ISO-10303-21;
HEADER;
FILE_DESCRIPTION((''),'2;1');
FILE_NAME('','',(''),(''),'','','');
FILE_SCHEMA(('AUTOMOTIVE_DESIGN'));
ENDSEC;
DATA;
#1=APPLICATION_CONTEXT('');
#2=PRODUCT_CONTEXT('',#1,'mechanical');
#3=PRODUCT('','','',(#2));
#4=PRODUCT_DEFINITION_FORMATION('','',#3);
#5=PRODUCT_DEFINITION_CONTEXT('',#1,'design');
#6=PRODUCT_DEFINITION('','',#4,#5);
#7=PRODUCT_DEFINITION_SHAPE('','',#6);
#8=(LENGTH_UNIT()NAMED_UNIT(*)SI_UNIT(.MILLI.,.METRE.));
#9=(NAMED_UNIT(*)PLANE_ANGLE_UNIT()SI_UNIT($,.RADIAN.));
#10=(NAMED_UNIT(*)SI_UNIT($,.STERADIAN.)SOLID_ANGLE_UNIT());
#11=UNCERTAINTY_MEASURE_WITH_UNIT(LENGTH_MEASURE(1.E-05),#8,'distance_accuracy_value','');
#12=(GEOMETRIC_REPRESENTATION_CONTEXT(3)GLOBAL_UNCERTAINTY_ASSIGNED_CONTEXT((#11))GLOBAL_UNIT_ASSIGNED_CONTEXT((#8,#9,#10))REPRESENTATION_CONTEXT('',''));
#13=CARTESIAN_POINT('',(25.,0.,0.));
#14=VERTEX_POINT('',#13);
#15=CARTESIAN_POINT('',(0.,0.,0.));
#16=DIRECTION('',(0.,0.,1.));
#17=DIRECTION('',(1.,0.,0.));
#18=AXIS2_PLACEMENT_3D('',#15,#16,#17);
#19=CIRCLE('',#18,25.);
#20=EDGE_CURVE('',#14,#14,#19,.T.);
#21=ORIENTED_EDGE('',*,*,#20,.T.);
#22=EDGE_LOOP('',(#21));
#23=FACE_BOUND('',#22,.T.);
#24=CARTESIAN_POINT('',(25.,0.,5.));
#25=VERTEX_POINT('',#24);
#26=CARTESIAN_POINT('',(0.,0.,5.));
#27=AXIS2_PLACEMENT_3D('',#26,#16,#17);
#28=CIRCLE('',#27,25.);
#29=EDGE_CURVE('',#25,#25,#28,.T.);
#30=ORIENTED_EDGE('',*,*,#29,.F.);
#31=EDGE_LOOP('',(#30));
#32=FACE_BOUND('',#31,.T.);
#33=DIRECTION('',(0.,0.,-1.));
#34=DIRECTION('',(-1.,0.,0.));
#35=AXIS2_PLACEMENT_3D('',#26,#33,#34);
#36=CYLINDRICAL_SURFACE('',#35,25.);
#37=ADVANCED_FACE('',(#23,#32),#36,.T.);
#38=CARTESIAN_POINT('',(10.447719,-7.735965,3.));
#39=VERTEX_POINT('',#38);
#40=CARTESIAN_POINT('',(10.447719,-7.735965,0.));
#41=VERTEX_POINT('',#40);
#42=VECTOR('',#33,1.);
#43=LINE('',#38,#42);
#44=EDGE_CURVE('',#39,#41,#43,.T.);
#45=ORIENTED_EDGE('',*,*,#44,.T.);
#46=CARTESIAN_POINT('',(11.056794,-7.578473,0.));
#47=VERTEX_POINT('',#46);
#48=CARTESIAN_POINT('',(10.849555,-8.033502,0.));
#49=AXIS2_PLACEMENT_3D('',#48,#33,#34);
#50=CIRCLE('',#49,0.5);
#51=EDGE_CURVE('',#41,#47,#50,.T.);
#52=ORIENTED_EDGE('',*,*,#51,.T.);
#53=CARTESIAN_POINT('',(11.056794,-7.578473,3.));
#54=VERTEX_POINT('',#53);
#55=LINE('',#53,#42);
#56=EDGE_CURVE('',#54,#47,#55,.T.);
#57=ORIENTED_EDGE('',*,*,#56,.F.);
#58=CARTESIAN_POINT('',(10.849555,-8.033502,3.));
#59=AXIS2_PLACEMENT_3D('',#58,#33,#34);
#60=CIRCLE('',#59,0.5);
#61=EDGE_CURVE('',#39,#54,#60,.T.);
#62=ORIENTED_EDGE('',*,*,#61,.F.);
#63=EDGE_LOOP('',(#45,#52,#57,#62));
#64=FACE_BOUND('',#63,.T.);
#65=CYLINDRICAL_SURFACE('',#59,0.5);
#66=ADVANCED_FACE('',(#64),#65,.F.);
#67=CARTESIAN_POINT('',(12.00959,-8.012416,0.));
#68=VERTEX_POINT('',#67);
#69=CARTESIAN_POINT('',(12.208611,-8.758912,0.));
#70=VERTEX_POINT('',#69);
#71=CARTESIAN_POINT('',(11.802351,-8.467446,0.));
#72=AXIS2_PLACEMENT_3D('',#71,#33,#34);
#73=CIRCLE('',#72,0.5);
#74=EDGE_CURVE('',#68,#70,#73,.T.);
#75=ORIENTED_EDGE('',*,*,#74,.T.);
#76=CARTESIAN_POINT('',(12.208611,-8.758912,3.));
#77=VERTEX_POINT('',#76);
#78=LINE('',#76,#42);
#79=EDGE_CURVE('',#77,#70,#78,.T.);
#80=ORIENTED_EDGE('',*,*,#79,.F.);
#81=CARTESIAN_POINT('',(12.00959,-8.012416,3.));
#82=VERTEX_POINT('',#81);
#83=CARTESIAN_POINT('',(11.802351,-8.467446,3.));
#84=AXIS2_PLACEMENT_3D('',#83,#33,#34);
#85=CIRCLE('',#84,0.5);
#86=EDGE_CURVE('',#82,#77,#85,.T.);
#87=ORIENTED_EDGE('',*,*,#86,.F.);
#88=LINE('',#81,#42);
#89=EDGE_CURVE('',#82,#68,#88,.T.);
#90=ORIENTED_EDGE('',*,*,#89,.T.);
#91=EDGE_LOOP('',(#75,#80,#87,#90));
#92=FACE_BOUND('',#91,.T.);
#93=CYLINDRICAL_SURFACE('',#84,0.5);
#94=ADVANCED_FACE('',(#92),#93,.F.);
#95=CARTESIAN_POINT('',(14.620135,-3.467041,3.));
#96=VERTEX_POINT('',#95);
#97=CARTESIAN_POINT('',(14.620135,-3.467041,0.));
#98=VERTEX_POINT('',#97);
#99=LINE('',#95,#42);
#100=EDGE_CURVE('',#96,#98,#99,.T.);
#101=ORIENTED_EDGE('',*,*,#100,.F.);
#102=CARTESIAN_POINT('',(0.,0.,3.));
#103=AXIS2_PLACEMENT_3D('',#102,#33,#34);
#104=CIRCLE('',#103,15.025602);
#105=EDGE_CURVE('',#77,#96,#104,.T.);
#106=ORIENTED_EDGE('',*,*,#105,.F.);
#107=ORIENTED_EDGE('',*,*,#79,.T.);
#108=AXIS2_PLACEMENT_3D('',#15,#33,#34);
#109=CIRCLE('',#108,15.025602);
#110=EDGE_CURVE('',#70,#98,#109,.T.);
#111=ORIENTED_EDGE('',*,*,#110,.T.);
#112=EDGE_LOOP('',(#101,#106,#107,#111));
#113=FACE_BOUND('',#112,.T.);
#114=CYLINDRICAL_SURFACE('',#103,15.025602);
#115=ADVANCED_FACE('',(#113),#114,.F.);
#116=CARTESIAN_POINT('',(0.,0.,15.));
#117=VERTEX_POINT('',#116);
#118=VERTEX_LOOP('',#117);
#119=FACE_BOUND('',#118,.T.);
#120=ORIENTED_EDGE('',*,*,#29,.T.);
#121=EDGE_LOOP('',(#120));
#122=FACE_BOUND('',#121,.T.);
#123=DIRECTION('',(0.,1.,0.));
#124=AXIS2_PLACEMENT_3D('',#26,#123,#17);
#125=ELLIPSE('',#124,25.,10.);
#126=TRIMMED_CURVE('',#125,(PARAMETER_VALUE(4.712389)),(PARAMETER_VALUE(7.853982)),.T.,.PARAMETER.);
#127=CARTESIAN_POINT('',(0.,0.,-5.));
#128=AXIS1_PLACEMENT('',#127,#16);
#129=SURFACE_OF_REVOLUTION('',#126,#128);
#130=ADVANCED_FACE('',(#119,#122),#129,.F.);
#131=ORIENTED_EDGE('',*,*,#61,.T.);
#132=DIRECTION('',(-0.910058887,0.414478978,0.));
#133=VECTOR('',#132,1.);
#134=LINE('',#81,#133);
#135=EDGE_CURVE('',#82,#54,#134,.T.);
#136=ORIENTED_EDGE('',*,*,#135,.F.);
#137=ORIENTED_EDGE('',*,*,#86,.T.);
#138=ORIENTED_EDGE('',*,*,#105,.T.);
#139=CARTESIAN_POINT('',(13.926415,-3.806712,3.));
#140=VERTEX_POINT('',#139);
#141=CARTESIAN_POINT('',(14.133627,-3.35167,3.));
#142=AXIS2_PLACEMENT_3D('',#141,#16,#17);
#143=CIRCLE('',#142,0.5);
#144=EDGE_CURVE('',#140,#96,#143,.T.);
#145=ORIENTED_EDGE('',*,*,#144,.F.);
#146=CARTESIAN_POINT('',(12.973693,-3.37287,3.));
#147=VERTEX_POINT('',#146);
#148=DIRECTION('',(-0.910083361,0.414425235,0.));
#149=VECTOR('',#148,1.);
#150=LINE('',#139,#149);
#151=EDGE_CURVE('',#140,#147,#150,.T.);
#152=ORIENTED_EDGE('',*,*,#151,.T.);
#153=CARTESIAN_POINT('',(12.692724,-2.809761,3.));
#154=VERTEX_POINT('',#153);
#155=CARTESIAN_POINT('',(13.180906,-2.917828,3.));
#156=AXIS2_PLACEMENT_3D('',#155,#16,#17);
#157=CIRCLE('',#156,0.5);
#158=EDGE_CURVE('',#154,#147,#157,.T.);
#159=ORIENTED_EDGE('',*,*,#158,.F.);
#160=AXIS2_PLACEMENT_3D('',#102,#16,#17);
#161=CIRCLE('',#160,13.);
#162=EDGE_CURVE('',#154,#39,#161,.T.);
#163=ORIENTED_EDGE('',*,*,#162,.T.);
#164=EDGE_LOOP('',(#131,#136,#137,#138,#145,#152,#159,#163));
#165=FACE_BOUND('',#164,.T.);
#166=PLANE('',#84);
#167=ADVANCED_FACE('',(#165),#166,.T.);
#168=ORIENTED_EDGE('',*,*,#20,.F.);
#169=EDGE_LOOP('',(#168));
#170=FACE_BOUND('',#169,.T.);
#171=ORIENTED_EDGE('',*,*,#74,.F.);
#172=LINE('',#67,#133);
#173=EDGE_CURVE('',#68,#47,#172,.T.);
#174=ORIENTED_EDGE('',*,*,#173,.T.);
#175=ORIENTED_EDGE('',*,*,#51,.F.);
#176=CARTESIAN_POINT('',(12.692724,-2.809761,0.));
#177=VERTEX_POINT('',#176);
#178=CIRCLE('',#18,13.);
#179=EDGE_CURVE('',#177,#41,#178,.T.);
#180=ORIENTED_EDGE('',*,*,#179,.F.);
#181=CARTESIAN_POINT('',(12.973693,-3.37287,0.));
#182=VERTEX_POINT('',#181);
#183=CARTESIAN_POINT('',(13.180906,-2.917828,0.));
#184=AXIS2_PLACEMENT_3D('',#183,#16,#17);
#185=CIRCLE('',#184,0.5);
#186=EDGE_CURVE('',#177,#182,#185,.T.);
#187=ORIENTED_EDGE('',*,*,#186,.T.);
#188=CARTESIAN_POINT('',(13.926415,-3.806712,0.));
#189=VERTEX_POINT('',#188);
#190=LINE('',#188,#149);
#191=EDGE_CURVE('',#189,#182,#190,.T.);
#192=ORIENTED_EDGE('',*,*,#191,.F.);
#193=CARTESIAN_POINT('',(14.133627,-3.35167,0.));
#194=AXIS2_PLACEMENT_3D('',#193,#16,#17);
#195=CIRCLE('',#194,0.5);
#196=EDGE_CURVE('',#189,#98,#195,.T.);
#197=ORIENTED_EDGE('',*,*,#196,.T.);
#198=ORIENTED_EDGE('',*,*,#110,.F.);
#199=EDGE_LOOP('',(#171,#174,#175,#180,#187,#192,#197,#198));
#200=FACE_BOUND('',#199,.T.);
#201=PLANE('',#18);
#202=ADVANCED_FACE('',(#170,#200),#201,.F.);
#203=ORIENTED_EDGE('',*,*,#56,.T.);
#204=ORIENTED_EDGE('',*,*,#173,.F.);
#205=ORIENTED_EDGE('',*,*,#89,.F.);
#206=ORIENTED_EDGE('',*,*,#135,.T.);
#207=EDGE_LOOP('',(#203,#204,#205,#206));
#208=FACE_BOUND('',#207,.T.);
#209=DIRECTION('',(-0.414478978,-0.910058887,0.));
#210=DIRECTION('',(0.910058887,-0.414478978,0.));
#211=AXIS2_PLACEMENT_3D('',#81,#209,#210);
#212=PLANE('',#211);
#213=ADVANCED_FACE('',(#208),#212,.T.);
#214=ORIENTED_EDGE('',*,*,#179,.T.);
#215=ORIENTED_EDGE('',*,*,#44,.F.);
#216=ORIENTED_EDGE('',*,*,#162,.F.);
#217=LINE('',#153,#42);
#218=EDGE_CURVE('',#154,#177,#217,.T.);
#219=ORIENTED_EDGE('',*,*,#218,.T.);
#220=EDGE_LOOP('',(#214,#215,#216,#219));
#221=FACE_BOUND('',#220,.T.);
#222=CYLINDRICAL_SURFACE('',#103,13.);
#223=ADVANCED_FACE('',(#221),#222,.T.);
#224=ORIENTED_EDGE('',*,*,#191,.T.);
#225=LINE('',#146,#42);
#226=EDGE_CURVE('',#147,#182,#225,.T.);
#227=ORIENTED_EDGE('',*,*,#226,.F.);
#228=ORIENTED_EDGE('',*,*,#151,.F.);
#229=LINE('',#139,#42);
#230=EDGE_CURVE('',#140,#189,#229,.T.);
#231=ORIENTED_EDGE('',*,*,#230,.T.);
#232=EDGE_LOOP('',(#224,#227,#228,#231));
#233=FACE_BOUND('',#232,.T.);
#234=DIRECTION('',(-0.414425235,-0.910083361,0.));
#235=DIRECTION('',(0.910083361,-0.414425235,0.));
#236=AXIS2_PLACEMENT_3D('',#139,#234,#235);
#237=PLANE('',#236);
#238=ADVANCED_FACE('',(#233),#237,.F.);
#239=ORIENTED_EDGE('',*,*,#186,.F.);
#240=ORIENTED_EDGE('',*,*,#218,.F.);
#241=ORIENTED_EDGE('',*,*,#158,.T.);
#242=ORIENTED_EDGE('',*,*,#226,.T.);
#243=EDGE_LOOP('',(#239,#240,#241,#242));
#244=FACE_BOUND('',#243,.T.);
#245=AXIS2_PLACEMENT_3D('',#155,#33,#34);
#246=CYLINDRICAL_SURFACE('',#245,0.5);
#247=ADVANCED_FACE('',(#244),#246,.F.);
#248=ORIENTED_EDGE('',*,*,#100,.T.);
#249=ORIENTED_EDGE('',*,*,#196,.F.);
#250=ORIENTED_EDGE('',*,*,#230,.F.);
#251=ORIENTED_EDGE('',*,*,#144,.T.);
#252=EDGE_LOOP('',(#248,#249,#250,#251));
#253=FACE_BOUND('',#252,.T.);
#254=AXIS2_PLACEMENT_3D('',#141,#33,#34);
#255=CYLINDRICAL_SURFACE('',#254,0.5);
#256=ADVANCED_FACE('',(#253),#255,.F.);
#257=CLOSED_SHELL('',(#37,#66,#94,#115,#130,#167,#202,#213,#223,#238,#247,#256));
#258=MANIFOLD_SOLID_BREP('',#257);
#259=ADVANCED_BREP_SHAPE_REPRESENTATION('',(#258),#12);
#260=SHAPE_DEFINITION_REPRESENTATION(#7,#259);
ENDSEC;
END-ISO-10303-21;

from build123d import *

# Parameters (mm, degrees)
ESQUISSE1_R             = 25
BOSS_EXTRU_1_DEPTH      = 5
ENL_V_MAT_EXTRU_1_DEPTH = 3
D_ME1_FACE_RADIUS       = 25
D_ME1_HEIGHT            = 10


with BuildPart() as part:
    # Esquisse1 → Boss.-Extru.1 (new body)
    with BuildSketch(Plane.XY):
        Circle(ESQUISSE1_R)
    extrude(amount=BOSS_EXTRU_1_DEPTH)

    # Esquisse1<7> → Enlèv. mat.-Extru.1 (cut)
    with BuildSketch(Plane.XY):
        with BuildLine():
            Line((13.926414777, -3.806711623), (12.973693151, -3.372870175))
            ThreePointArc((12.973693151, -3.372870175), (12.733506213, -3.141062984), (12.692724073, -2.809760772))
            ThreePointArc((12.692724073, -2.809760772), (-11.829492988, 5.391019908), (10.447719463, -7.735965229))
            ThreePointArc((10.447719463, -7.735965229), (10.724383559, -7.549423688), (11.056794316, -7.57847291))
            Line((11.056794316, -7.57847291), (12.009590144, -8.012416083))
            ThreePointArc((12.009590144, -8.012416083), (12.285475329, -8.338641219), (12.208610947, -8.758911776))
            ThreePointArc((12.208610947, -8.758911776), (-13.672833437, 6.230757786), (14.62013485, -3.467041062))
            ThreePointArc((14.62013485, -3.467041062), (14.353503323, -3.8007296), (13.926414777, -3.806711623))
        make_face()
    extrude(amount=ENL_V_MAT_EXTRU_1_DEPTH, mode=Mode.SUBTRACT)

    # Dôme1: an elliptical dome of height H over a round flat face of radius A is half a spheroid: the quarter ellipse of half axes A and H revolved about the face's axis
    with BuildSketch(Plane((0, 0, 5), x_dir=(0, 1, 0), z_dir=(1, 0, 0)), mode=Mode.PRIVATE) as d_me1_quarter:
        Ellipse(D_ME1_FACE_RADIUS, D_ME1_HEIGHT)
        Rectangle(D_ME1_FACE_RADIUS, D_ME1_HEIGHT, align=(Align.MIN, Align.MIN), mode=Mode.INTERSECT)
    revolve(d_me1_quarter.sketch, axis=Axis((0, 0, 5), (0, 0, 1)))


solid = part.part
